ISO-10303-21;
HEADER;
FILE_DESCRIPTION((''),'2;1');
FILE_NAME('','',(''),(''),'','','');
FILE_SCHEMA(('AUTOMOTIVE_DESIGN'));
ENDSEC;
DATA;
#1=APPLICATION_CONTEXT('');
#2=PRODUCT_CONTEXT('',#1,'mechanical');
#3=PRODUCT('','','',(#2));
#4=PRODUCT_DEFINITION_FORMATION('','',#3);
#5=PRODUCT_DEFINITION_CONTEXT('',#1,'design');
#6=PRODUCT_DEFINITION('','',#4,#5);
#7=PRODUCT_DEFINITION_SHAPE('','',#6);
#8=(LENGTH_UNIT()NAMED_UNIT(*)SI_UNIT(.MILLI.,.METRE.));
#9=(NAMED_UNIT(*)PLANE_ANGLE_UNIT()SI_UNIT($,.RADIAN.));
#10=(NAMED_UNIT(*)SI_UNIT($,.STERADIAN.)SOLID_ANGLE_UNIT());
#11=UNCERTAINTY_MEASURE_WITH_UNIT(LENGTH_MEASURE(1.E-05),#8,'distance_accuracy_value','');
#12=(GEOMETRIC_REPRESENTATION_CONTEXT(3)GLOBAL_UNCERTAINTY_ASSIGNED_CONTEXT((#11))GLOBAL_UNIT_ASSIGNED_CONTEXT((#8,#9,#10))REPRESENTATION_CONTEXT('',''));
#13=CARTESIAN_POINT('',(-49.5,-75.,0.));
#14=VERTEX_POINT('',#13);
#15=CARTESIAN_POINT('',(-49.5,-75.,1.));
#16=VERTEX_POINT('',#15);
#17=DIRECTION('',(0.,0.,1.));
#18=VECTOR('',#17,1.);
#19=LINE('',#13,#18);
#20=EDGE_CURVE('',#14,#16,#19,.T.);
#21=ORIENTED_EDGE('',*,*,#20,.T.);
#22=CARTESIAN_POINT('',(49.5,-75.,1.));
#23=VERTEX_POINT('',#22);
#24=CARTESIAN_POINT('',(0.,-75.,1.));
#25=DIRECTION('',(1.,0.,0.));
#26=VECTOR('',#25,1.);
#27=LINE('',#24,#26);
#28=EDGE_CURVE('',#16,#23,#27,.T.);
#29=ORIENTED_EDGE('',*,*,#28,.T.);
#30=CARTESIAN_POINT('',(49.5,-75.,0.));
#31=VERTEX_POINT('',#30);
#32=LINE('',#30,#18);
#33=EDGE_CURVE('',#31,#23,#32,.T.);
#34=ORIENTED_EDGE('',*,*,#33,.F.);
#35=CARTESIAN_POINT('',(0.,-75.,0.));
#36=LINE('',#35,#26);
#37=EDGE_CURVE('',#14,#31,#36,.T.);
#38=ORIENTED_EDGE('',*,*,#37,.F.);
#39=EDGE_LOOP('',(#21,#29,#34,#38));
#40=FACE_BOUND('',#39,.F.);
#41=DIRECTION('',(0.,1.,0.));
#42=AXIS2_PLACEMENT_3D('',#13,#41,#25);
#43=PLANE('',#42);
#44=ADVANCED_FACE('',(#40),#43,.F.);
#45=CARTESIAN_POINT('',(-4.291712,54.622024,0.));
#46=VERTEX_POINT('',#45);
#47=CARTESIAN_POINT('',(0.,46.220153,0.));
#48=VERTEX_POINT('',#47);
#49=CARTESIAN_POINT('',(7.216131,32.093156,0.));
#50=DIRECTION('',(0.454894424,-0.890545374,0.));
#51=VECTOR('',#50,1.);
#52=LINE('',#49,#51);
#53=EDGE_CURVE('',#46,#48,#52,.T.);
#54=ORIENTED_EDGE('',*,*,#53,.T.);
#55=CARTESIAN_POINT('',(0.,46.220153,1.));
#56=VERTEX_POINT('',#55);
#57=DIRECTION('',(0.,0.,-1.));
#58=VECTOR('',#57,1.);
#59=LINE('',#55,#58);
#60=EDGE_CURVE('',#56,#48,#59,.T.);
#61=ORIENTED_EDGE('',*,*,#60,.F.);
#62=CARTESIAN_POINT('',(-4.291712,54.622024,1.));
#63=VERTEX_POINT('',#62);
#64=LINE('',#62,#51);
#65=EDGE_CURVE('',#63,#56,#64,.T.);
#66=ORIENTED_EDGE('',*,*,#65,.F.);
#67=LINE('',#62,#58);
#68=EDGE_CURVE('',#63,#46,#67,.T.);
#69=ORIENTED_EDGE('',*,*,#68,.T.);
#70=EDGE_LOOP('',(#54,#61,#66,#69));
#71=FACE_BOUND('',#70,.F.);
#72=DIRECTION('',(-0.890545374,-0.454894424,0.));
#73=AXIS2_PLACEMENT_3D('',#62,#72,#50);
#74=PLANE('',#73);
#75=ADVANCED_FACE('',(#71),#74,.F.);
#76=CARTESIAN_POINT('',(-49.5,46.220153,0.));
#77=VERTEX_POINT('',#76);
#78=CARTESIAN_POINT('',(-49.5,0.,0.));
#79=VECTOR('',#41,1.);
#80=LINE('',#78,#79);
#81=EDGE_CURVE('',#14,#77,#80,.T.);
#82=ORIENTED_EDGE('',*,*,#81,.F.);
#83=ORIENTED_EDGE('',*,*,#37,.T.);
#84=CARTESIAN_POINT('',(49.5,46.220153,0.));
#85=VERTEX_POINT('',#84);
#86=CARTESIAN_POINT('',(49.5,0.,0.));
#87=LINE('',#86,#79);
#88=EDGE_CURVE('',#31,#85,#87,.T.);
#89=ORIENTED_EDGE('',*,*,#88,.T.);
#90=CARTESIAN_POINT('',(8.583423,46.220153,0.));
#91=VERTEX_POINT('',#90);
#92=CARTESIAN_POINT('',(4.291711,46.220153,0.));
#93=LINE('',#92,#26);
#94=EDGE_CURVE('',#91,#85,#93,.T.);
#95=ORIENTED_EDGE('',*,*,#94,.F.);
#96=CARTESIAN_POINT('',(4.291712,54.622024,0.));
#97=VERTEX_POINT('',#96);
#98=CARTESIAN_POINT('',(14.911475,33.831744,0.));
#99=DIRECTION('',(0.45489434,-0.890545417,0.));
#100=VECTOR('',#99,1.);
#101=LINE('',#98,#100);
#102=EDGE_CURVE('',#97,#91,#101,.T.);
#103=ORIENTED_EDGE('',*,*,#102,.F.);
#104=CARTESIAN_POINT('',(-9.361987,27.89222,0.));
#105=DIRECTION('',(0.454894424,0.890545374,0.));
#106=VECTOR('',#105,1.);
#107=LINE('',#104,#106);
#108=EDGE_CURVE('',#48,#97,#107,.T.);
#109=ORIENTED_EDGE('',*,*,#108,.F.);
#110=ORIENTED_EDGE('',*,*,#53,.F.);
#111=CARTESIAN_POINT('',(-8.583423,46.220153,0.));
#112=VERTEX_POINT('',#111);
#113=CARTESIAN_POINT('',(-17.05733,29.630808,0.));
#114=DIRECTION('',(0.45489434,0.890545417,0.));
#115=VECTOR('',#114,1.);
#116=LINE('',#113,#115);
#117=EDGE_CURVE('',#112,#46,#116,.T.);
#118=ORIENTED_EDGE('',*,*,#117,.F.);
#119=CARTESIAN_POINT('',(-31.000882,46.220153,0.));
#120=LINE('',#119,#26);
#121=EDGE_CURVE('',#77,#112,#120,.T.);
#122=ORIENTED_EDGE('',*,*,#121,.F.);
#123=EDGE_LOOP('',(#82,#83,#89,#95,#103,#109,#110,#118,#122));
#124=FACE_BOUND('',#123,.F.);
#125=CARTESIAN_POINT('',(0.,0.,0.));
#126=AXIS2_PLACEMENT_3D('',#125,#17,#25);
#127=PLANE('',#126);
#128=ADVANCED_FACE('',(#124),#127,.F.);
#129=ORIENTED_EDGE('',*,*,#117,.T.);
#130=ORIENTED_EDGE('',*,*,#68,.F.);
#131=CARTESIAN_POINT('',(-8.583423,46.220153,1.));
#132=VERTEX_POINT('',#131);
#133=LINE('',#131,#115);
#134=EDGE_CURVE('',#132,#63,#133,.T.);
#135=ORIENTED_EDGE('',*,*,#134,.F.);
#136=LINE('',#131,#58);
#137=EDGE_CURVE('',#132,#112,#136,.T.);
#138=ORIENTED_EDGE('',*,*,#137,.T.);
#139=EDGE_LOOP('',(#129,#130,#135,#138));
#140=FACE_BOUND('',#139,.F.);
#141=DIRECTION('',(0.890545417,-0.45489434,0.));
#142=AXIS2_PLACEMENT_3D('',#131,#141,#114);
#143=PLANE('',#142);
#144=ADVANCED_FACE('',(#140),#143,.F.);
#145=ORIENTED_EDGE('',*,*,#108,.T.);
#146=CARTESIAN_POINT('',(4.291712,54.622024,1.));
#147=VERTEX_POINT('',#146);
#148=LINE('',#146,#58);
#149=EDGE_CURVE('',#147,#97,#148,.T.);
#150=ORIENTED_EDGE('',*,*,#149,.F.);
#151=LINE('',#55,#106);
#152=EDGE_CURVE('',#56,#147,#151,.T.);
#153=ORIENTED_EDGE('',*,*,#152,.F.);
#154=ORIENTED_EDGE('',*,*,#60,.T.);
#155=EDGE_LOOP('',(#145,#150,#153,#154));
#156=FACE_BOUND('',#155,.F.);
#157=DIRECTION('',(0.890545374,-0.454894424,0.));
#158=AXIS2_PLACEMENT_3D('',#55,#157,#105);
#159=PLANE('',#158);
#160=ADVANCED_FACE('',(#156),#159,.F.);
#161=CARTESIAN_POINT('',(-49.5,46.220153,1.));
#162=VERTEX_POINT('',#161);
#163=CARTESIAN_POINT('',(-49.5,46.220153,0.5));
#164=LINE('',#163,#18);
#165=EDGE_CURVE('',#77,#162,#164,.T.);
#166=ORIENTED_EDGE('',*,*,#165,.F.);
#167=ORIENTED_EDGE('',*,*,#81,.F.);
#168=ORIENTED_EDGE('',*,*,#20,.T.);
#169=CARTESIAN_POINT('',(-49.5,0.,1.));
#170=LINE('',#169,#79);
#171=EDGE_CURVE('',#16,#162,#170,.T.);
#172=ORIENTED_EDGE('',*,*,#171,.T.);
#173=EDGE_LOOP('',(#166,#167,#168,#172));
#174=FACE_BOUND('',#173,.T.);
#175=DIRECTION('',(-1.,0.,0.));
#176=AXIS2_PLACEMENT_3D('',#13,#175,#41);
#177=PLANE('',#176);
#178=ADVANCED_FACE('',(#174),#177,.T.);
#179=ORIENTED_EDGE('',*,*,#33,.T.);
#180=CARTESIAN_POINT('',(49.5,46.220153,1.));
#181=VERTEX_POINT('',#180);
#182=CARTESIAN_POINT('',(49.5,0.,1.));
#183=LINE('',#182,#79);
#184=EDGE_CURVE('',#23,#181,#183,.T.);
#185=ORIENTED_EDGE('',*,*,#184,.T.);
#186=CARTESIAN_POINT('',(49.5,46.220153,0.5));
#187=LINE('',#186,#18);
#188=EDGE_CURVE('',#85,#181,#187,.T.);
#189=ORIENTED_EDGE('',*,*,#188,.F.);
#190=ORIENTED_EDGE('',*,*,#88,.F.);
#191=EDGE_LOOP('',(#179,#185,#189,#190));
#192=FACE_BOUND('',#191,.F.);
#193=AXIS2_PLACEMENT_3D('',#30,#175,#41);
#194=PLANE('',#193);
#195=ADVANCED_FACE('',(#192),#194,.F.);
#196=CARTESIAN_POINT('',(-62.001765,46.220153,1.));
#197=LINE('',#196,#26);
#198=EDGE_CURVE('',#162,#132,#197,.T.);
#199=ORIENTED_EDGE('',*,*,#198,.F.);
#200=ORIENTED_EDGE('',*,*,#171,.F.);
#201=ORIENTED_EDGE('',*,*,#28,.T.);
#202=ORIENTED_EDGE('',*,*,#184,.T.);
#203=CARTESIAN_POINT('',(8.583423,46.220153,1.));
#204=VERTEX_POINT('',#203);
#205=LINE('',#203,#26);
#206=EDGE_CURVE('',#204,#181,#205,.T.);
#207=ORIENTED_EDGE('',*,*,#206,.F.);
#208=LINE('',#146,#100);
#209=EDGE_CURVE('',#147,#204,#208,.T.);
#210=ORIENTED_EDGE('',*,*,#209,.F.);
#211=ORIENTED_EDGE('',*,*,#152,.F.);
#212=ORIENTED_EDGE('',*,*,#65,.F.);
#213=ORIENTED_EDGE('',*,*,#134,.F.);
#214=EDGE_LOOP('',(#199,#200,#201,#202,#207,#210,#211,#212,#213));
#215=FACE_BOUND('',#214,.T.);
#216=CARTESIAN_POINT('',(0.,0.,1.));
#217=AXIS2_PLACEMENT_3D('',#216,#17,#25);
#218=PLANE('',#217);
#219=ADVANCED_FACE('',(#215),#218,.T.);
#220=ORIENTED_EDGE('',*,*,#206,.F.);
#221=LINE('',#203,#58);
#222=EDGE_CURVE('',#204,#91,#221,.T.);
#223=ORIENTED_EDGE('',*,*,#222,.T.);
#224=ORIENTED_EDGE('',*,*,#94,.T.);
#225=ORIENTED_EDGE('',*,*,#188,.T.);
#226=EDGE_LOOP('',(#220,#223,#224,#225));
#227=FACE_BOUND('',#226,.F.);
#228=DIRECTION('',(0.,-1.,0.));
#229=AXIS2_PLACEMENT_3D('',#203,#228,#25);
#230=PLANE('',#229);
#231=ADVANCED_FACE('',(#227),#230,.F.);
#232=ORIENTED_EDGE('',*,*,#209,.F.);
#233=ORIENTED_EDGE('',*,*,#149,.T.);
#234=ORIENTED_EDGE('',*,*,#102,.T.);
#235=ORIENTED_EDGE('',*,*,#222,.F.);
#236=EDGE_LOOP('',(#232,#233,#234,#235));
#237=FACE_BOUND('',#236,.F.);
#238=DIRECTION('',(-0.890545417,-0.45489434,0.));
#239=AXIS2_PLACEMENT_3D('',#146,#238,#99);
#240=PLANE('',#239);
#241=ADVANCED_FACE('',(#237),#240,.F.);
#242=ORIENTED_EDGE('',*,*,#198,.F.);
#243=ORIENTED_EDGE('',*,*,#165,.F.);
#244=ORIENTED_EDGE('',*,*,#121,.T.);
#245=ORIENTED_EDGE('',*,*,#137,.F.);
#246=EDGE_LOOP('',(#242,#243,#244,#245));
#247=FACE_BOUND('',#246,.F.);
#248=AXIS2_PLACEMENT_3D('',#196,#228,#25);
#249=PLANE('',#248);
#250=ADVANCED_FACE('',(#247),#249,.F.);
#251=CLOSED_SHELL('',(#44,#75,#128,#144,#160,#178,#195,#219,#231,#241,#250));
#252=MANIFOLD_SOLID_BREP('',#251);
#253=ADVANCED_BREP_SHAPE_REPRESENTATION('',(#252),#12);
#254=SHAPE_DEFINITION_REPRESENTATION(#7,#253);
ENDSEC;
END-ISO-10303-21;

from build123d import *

# Parameters (mm, degrees)
F0_W     = 99
F0_H     = 150
F1_DEPTH = 1
F4_DEPTH = 25


with BuildPart() as f1:
    # F0 (on Top) → F1 (new body)
    with BuildSketch(Plane.XY):
        Rectangle(F0_W, F0_H)
    extrude(amount=F1_DEPTH)

    # F3 (on face) → F4 (cut)
    with BuildSketch(Plane.XY.offset(1)):
        Polygon((-62.001765, 46.220153), (-46.321515, 46.220153), (-8.583423, 46.220153), (-4.291712, 54.622024), (0, 46.220153), (4.291712, 54.622024), (8.583423, 46.220153), (46.321515, 46.220153), (54.136954, 46.220153), (59.024267, 77.810913), (-51.67358, 77.810913), align=None)
    extrude(amount=-F4_DEPTH, mode=Mode.SUBTRACT)


solid = f1.part
